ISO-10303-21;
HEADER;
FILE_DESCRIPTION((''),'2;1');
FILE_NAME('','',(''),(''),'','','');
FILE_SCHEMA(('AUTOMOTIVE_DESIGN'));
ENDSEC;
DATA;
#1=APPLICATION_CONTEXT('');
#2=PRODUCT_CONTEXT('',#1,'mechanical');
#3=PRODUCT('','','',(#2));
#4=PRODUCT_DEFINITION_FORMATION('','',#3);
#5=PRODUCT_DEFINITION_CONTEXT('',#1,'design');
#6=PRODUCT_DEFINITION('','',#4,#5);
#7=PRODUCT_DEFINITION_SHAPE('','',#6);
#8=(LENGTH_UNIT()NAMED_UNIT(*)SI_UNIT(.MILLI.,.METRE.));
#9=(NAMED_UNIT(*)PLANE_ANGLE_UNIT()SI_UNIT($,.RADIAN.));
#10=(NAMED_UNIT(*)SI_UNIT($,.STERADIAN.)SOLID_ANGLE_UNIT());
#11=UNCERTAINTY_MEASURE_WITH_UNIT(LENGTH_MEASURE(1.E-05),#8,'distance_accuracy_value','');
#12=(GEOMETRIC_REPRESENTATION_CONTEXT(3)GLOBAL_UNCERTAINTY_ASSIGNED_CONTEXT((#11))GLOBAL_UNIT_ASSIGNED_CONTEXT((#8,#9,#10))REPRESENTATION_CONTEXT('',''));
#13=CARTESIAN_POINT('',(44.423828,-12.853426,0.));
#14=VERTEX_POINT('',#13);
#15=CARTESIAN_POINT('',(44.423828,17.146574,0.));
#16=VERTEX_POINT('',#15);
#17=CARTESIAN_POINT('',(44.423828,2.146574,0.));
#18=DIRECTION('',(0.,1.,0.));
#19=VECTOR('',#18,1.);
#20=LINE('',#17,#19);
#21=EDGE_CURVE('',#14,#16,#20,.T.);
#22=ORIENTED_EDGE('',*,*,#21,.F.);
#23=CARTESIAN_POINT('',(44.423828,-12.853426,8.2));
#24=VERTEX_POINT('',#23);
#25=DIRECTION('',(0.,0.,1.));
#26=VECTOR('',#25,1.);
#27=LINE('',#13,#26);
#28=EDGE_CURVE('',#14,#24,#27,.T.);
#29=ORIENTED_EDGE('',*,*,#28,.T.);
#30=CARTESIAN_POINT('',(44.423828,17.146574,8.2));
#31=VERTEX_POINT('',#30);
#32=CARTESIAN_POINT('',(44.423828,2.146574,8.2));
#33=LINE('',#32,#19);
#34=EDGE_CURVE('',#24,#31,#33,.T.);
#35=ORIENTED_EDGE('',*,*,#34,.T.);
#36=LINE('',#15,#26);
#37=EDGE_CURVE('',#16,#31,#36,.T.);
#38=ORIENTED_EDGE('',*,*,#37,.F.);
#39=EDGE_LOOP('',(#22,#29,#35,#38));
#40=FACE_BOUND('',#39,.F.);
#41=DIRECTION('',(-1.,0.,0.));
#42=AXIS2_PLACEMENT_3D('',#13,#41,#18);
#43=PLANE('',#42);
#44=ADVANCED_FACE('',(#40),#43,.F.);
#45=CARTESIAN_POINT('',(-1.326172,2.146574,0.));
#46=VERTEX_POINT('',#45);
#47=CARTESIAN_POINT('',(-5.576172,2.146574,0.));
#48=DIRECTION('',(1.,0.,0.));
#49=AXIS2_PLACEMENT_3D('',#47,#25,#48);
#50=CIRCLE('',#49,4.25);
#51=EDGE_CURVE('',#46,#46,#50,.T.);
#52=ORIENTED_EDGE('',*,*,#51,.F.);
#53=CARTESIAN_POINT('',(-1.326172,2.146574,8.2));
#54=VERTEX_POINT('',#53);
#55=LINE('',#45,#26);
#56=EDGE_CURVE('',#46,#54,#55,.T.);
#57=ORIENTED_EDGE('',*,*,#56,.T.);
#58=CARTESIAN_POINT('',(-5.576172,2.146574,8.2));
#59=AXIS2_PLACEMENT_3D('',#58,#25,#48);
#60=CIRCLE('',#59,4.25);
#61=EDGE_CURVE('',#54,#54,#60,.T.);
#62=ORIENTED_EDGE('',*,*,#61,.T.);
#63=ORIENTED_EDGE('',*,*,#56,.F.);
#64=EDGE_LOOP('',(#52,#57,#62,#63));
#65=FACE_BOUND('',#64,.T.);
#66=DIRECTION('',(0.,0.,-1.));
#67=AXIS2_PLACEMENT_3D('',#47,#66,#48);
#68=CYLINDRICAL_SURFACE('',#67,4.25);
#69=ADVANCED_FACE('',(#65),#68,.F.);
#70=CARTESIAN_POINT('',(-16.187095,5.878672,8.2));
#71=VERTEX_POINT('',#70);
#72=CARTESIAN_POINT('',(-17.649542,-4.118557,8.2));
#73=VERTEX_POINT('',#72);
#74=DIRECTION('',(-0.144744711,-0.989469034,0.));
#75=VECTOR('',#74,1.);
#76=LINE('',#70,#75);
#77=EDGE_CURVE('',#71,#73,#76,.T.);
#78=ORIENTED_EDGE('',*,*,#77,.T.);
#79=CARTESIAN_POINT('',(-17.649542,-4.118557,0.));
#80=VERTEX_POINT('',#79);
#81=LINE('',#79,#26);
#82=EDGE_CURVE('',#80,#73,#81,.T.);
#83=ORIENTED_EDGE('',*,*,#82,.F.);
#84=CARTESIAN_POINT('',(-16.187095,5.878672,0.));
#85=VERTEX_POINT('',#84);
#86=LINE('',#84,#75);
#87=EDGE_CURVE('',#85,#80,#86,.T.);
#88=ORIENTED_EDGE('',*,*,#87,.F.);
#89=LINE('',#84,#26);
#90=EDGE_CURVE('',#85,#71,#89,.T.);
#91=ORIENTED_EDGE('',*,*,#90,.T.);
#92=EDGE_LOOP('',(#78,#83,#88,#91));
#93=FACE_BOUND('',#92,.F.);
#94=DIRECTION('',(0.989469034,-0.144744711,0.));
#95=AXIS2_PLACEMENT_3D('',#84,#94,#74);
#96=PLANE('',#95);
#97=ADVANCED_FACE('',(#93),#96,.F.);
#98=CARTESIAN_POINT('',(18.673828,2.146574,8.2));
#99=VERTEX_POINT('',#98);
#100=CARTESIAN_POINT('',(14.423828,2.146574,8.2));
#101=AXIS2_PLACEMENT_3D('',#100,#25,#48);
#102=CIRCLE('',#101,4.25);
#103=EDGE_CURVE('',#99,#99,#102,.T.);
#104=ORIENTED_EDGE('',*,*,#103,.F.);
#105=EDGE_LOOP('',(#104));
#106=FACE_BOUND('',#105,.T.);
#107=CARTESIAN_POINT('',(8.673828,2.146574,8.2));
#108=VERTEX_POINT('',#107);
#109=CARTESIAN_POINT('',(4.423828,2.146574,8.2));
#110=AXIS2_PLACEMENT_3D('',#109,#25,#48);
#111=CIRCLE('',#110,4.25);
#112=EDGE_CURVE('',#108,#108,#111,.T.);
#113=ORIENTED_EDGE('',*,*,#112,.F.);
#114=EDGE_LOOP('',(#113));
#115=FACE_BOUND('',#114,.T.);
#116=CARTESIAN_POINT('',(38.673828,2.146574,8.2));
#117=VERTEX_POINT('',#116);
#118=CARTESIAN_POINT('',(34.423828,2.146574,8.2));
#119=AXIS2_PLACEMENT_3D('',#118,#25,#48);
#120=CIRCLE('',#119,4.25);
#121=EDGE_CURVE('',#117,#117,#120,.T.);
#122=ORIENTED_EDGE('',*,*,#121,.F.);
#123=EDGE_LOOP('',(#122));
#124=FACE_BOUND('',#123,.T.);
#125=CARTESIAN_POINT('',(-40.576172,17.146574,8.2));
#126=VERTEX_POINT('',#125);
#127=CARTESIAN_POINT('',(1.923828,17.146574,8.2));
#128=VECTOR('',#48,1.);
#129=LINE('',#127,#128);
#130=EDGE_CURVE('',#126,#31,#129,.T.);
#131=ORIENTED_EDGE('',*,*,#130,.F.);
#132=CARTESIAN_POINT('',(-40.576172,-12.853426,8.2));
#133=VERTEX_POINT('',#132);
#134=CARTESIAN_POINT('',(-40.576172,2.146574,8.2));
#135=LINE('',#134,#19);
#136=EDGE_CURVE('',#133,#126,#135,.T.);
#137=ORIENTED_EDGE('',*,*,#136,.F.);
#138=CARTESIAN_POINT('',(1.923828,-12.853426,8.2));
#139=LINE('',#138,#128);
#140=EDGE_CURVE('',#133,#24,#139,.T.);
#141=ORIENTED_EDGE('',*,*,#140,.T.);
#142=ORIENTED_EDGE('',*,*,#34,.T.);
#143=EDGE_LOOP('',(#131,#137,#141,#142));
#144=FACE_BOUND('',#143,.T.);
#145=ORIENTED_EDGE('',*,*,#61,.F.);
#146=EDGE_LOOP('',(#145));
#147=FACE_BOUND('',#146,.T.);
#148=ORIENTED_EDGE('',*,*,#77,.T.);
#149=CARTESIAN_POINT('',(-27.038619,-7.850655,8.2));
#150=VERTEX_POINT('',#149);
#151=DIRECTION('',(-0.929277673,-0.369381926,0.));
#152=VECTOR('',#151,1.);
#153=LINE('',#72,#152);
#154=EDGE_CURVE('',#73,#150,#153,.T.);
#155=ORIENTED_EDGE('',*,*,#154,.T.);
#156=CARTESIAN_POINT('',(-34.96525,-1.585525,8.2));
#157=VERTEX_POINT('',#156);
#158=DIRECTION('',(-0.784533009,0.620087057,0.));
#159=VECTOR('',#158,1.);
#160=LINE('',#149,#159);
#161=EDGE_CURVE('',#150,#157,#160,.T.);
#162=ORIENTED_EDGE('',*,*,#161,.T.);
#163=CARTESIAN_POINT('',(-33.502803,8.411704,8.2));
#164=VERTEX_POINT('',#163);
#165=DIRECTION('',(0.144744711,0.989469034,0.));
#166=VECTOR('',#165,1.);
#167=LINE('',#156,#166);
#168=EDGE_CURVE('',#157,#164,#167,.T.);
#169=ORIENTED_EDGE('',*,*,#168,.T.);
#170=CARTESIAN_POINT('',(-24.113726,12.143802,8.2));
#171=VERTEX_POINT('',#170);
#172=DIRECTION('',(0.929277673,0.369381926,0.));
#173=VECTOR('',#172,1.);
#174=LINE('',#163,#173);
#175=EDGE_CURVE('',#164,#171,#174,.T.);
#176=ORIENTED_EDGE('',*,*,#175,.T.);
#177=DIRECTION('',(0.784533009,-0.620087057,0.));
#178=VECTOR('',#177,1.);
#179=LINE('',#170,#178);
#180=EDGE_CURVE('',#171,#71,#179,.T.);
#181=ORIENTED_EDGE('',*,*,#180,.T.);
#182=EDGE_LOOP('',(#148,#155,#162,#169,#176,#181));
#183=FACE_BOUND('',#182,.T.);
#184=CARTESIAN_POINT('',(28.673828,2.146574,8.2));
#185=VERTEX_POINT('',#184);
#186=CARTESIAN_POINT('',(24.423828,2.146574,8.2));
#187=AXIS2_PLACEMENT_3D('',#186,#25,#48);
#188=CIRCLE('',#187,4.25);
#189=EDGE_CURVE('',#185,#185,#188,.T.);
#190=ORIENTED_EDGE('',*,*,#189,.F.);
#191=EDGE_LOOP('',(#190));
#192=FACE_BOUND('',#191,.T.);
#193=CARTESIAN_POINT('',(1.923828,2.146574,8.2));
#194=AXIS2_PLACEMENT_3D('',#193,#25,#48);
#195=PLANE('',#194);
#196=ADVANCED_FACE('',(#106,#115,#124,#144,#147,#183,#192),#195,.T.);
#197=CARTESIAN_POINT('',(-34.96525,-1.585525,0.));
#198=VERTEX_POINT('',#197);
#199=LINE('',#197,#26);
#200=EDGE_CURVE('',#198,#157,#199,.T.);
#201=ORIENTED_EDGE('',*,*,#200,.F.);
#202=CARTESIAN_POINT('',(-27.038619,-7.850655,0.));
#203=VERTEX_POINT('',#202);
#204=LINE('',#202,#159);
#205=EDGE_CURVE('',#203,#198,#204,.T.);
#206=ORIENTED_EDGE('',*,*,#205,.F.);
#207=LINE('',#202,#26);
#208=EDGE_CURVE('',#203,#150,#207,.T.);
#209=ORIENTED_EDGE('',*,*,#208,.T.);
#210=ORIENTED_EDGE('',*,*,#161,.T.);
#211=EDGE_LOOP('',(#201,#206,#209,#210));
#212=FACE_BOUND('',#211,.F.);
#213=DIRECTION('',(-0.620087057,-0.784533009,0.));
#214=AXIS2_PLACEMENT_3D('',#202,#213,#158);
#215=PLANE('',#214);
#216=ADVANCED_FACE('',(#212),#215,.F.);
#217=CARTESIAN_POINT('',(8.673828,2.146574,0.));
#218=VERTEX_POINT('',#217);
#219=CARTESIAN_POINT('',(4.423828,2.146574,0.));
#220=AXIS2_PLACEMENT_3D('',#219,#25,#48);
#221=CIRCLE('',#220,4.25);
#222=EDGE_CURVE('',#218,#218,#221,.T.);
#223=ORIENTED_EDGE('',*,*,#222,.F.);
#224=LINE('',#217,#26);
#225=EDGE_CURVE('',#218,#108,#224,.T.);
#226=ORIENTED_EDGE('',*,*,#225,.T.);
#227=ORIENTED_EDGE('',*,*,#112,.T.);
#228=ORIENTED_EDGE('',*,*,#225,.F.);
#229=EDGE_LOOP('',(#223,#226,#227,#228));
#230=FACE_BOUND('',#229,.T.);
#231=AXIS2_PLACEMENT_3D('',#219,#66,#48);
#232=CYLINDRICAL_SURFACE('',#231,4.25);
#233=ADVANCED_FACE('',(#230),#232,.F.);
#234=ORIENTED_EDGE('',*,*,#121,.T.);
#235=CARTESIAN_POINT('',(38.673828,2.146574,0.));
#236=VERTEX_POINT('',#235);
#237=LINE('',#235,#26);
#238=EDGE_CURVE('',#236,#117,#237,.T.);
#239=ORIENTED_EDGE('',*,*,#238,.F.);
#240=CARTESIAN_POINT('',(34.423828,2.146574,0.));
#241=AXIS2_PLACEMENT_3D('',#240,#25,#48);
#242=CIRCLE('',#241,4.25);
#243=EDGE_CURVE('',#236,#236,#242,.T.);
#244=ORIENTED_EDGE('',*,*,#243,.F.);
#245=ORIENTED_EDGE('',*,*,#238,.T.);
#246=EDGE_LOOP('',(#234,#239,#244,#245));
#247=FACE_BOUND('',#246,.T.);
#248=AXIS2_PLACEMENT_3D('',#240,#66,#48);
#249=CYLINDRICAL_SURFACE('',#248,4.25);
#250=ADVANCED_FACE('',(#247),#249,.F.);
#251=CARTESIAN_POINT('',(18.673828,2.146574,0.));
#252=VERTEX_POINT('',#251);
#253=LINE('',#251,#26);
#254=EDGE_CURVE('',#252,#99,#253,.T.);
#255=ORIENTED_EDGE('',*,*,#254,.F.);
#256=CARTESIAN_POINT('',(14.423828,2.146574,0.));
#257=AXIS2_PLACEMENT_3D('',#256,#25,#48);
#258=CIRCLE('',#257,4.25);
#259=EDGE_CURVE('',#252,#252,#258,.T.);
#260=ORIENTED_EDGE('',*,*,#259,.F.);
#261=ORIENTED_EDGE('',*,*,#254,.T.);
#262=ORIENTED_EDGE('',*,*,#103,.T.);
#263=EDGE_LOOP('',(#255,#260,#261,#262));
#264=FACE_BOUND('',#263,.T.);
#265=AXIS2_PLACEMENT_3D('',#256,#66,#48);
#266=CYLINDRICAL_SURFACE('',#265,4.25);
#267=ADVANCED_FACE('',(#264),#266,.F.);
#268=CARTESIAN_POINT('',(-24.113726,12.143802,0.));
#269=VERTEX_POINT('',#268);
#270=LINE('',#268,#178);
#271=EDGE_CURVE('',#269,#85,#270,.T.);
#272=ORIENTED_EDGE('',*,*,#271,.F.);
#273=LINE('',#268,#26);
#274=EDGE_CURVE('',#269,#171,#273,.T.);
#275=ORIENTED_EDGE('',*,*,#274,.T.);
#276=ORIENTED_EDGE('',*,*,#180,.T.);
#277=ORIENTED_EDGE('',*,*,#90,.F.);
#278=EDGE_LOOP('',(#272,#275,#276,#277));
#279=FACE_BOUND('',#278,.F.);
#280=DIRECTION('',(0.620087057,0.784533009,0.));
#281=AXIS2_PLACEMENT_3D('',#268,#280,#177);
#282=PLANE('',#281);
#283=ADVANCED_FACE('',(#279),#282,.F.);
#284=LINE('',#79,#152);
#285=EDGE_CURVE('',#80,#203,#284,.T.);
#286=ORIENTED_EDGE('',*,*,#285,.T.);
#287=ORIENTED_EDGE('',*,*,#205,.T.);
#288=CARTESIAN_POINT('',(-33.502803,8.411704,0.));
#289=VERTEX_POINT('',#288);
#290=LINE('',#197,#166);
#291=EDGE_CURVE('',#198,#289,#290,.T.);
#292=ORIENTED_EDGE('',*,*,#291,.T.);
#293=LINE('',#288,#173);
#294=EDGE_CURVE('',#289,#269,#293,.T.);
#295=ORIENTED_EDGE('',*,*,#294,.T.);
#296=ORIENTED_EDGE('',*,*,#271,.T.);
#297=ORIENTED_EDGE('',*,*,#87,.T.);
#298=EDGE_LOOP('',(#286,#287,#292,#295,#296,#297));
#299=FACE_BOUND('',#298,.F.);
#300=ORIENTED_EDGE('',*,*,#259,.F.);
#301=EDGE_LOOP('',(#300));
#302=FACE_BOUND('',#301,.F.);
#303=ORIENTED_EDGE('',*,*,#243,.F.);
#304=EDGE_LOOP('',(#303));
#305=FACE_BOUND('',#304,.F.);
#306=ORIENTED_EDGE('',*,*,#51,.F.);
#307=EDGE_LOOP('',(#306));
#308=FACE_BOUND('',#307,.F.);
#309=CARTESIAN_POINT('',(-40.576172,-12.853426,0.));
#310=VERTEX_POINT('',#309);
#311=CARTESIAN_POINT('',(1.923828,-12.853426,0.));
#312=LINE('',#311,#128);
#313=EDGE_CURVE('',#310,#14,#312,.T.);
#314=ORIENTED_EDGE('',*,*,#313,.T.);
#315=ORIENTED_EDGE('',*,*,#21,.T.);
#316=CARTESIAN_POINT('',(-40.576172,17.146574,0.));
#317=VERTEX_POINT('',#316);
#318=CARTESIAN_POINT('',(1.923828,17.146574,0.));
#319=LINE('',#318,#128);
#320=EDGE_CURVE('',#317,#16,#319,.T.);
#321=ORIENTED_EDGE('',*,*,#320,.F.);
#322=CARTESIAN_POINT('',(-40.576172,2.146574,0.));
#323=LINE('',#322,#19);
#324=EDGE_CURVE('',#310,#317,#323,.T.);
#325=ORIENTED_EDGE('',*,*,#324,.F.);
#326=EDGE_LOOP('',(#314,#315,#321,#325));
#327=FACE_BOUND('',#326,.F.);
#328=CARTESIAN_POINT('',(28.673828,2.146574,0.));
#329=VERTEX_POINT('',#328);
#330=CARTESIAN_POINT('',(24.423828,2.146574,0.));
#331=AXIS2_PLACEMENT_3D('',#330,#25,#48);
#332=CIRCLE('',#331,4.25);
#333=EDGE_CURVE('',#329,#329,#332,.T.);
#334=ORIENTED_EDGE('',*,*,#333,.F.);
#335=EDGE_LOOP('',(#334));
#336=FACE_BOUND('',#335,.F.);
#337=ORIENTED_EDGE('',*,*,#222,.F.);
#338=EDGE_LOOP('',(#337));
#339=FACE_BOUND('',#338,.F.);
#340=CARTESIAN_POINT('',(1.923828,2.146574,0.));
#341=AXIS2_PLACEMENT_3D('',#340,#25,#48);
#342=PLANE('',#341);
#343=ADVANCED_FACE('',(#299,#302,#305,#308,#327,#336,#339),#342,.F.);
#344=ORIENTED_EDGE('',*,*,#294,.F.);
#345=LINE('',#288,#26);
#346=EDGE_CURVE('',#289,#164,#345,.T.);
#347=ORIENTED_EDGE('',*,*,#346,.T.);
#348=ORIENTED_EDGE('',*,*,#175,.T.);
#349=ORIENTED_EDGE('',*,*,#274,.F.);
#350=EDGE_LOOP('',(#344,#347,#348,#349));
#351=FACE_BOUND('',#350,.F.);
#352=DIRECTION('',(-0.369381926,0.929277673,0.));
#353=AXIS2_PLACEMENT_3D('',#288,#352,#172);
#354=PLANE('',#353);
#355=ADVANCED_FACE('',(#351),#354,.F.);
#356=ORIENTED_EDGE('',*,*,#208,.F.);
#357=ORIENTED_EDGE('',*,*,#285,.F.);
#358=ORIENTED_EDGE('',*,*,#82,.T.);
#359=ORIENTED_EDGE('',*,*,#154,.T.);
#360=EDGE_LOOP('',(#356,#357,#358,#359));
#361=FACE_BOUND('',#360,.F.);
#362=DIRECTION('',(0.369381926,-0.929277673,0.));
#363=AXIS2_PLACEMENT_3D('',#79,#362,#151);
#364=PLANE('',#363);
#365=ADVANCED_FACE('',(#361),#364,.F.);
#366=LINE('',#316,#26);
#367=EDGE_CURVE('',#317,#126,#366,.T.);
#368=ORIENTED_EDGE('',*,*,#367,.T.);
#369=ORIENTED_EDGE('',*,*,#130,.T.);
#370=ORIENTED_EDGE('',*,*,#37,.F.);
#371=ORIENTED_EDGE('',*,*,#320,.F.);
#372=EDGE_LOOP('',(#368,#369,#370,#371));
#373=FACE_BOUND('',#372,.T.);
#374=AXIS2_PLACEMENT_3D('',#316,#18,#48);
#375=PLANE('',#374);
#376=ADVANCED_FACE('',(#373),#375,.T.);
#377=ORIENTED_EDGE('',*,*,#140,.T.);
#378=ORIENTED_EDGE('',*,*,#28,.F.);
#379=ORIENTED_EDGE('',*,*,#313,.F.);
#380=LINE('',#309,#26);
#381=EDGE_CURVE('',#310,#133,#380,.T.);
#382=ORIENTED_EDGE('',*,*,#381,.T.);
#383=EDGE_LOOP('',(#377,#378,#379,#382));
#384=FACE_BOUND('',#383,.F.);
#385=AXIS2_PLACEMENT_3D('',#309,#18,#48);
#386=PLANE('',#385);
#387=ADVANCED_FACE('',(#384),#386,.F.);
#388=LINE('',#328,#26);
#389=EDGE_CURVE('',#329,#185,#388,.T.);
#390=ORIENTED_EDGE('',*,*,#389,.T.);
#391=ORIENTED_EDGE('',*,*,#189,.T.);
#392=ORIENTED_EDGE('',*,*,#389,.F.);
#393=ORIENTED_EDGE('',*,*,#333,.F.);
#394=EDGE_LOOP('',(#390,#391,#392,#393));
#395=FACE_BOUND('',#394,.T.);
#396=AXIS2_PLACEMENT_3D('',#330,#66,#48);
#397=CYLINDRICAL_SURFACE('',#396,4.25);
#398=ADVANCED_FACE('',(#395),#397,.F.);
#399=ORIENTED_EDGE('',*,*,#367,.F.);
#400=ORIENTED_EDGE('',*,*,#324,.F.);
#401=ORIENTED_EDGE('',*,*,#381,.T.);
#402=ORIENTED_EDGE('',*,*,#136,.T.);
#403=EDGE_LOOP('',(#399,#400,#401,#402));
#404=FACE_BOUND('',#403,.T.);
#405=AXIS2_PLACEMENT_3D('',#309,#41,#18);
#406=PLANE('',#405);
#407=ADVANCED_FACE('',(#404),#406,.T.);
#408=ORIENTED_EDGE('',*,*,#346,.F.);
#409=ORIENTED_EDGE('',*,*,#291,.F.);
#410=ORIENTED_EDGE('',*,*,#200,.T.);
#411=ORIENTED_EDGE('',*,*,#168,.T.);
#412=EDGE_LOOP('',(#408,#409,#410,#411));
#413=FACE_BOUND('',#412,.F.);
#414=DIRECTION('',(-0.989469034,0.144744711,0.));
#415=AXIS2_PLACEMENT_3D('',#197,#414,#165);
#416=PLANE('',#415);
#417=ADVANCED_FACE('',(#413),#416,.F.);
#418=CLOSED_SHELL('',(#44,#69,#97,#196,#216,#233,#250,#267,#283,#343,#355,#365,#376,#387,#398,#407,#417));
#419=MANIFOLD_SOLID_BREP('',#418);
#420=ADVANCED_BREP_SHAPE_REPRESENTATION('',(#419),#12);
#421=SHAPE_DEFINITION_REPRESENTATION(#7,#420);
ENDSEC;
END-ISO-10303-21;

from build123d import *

# Parameters (mm, degrees)
F0_W     = 85
F0_H     = 30
F0_R     = 4.25
F1_DEPTH = 8.2


with BuildPart() as f1:
    # F0 (on Top) → F1 (new body)
    with BuildSketch(Plane.XY):
        with Locations((1.923828, 2.146574)):
            Rectangle(F0_W, F0_H)
        with Locations((-5.576172, 2.146574)):
            Circle(F0_R, mode=Mode.SUBTRACT)
        with Locations((4.423828, 2.146574)):
            Circle(F0_R, mode=Mode.SUBTRACT)
        with Locations((14.423828, 2.146574)):
            Circle(F0_R, mode=Mode.SUBTRACT)
        with Locations((24.423828, 2.146574)):
            Circle(F0_R, mode=Mode.SUBTRACT)
        with Locations((34.423828, 2.146574)):
            Circle(F0_R, mode=Mode.SUBTRACT)
        Polygon((-34.96525, -1.585525), (-33.502803, 8.411704), (-24.113726, 12.143802), (-16.187095, 5.878672), (-17.649542, -4.118557), (-27.038619, -7.850655), align=None, mode=Mode.SUBTRACT)
    extrude(amount=F1_DEPTH)


solid = f1.part
